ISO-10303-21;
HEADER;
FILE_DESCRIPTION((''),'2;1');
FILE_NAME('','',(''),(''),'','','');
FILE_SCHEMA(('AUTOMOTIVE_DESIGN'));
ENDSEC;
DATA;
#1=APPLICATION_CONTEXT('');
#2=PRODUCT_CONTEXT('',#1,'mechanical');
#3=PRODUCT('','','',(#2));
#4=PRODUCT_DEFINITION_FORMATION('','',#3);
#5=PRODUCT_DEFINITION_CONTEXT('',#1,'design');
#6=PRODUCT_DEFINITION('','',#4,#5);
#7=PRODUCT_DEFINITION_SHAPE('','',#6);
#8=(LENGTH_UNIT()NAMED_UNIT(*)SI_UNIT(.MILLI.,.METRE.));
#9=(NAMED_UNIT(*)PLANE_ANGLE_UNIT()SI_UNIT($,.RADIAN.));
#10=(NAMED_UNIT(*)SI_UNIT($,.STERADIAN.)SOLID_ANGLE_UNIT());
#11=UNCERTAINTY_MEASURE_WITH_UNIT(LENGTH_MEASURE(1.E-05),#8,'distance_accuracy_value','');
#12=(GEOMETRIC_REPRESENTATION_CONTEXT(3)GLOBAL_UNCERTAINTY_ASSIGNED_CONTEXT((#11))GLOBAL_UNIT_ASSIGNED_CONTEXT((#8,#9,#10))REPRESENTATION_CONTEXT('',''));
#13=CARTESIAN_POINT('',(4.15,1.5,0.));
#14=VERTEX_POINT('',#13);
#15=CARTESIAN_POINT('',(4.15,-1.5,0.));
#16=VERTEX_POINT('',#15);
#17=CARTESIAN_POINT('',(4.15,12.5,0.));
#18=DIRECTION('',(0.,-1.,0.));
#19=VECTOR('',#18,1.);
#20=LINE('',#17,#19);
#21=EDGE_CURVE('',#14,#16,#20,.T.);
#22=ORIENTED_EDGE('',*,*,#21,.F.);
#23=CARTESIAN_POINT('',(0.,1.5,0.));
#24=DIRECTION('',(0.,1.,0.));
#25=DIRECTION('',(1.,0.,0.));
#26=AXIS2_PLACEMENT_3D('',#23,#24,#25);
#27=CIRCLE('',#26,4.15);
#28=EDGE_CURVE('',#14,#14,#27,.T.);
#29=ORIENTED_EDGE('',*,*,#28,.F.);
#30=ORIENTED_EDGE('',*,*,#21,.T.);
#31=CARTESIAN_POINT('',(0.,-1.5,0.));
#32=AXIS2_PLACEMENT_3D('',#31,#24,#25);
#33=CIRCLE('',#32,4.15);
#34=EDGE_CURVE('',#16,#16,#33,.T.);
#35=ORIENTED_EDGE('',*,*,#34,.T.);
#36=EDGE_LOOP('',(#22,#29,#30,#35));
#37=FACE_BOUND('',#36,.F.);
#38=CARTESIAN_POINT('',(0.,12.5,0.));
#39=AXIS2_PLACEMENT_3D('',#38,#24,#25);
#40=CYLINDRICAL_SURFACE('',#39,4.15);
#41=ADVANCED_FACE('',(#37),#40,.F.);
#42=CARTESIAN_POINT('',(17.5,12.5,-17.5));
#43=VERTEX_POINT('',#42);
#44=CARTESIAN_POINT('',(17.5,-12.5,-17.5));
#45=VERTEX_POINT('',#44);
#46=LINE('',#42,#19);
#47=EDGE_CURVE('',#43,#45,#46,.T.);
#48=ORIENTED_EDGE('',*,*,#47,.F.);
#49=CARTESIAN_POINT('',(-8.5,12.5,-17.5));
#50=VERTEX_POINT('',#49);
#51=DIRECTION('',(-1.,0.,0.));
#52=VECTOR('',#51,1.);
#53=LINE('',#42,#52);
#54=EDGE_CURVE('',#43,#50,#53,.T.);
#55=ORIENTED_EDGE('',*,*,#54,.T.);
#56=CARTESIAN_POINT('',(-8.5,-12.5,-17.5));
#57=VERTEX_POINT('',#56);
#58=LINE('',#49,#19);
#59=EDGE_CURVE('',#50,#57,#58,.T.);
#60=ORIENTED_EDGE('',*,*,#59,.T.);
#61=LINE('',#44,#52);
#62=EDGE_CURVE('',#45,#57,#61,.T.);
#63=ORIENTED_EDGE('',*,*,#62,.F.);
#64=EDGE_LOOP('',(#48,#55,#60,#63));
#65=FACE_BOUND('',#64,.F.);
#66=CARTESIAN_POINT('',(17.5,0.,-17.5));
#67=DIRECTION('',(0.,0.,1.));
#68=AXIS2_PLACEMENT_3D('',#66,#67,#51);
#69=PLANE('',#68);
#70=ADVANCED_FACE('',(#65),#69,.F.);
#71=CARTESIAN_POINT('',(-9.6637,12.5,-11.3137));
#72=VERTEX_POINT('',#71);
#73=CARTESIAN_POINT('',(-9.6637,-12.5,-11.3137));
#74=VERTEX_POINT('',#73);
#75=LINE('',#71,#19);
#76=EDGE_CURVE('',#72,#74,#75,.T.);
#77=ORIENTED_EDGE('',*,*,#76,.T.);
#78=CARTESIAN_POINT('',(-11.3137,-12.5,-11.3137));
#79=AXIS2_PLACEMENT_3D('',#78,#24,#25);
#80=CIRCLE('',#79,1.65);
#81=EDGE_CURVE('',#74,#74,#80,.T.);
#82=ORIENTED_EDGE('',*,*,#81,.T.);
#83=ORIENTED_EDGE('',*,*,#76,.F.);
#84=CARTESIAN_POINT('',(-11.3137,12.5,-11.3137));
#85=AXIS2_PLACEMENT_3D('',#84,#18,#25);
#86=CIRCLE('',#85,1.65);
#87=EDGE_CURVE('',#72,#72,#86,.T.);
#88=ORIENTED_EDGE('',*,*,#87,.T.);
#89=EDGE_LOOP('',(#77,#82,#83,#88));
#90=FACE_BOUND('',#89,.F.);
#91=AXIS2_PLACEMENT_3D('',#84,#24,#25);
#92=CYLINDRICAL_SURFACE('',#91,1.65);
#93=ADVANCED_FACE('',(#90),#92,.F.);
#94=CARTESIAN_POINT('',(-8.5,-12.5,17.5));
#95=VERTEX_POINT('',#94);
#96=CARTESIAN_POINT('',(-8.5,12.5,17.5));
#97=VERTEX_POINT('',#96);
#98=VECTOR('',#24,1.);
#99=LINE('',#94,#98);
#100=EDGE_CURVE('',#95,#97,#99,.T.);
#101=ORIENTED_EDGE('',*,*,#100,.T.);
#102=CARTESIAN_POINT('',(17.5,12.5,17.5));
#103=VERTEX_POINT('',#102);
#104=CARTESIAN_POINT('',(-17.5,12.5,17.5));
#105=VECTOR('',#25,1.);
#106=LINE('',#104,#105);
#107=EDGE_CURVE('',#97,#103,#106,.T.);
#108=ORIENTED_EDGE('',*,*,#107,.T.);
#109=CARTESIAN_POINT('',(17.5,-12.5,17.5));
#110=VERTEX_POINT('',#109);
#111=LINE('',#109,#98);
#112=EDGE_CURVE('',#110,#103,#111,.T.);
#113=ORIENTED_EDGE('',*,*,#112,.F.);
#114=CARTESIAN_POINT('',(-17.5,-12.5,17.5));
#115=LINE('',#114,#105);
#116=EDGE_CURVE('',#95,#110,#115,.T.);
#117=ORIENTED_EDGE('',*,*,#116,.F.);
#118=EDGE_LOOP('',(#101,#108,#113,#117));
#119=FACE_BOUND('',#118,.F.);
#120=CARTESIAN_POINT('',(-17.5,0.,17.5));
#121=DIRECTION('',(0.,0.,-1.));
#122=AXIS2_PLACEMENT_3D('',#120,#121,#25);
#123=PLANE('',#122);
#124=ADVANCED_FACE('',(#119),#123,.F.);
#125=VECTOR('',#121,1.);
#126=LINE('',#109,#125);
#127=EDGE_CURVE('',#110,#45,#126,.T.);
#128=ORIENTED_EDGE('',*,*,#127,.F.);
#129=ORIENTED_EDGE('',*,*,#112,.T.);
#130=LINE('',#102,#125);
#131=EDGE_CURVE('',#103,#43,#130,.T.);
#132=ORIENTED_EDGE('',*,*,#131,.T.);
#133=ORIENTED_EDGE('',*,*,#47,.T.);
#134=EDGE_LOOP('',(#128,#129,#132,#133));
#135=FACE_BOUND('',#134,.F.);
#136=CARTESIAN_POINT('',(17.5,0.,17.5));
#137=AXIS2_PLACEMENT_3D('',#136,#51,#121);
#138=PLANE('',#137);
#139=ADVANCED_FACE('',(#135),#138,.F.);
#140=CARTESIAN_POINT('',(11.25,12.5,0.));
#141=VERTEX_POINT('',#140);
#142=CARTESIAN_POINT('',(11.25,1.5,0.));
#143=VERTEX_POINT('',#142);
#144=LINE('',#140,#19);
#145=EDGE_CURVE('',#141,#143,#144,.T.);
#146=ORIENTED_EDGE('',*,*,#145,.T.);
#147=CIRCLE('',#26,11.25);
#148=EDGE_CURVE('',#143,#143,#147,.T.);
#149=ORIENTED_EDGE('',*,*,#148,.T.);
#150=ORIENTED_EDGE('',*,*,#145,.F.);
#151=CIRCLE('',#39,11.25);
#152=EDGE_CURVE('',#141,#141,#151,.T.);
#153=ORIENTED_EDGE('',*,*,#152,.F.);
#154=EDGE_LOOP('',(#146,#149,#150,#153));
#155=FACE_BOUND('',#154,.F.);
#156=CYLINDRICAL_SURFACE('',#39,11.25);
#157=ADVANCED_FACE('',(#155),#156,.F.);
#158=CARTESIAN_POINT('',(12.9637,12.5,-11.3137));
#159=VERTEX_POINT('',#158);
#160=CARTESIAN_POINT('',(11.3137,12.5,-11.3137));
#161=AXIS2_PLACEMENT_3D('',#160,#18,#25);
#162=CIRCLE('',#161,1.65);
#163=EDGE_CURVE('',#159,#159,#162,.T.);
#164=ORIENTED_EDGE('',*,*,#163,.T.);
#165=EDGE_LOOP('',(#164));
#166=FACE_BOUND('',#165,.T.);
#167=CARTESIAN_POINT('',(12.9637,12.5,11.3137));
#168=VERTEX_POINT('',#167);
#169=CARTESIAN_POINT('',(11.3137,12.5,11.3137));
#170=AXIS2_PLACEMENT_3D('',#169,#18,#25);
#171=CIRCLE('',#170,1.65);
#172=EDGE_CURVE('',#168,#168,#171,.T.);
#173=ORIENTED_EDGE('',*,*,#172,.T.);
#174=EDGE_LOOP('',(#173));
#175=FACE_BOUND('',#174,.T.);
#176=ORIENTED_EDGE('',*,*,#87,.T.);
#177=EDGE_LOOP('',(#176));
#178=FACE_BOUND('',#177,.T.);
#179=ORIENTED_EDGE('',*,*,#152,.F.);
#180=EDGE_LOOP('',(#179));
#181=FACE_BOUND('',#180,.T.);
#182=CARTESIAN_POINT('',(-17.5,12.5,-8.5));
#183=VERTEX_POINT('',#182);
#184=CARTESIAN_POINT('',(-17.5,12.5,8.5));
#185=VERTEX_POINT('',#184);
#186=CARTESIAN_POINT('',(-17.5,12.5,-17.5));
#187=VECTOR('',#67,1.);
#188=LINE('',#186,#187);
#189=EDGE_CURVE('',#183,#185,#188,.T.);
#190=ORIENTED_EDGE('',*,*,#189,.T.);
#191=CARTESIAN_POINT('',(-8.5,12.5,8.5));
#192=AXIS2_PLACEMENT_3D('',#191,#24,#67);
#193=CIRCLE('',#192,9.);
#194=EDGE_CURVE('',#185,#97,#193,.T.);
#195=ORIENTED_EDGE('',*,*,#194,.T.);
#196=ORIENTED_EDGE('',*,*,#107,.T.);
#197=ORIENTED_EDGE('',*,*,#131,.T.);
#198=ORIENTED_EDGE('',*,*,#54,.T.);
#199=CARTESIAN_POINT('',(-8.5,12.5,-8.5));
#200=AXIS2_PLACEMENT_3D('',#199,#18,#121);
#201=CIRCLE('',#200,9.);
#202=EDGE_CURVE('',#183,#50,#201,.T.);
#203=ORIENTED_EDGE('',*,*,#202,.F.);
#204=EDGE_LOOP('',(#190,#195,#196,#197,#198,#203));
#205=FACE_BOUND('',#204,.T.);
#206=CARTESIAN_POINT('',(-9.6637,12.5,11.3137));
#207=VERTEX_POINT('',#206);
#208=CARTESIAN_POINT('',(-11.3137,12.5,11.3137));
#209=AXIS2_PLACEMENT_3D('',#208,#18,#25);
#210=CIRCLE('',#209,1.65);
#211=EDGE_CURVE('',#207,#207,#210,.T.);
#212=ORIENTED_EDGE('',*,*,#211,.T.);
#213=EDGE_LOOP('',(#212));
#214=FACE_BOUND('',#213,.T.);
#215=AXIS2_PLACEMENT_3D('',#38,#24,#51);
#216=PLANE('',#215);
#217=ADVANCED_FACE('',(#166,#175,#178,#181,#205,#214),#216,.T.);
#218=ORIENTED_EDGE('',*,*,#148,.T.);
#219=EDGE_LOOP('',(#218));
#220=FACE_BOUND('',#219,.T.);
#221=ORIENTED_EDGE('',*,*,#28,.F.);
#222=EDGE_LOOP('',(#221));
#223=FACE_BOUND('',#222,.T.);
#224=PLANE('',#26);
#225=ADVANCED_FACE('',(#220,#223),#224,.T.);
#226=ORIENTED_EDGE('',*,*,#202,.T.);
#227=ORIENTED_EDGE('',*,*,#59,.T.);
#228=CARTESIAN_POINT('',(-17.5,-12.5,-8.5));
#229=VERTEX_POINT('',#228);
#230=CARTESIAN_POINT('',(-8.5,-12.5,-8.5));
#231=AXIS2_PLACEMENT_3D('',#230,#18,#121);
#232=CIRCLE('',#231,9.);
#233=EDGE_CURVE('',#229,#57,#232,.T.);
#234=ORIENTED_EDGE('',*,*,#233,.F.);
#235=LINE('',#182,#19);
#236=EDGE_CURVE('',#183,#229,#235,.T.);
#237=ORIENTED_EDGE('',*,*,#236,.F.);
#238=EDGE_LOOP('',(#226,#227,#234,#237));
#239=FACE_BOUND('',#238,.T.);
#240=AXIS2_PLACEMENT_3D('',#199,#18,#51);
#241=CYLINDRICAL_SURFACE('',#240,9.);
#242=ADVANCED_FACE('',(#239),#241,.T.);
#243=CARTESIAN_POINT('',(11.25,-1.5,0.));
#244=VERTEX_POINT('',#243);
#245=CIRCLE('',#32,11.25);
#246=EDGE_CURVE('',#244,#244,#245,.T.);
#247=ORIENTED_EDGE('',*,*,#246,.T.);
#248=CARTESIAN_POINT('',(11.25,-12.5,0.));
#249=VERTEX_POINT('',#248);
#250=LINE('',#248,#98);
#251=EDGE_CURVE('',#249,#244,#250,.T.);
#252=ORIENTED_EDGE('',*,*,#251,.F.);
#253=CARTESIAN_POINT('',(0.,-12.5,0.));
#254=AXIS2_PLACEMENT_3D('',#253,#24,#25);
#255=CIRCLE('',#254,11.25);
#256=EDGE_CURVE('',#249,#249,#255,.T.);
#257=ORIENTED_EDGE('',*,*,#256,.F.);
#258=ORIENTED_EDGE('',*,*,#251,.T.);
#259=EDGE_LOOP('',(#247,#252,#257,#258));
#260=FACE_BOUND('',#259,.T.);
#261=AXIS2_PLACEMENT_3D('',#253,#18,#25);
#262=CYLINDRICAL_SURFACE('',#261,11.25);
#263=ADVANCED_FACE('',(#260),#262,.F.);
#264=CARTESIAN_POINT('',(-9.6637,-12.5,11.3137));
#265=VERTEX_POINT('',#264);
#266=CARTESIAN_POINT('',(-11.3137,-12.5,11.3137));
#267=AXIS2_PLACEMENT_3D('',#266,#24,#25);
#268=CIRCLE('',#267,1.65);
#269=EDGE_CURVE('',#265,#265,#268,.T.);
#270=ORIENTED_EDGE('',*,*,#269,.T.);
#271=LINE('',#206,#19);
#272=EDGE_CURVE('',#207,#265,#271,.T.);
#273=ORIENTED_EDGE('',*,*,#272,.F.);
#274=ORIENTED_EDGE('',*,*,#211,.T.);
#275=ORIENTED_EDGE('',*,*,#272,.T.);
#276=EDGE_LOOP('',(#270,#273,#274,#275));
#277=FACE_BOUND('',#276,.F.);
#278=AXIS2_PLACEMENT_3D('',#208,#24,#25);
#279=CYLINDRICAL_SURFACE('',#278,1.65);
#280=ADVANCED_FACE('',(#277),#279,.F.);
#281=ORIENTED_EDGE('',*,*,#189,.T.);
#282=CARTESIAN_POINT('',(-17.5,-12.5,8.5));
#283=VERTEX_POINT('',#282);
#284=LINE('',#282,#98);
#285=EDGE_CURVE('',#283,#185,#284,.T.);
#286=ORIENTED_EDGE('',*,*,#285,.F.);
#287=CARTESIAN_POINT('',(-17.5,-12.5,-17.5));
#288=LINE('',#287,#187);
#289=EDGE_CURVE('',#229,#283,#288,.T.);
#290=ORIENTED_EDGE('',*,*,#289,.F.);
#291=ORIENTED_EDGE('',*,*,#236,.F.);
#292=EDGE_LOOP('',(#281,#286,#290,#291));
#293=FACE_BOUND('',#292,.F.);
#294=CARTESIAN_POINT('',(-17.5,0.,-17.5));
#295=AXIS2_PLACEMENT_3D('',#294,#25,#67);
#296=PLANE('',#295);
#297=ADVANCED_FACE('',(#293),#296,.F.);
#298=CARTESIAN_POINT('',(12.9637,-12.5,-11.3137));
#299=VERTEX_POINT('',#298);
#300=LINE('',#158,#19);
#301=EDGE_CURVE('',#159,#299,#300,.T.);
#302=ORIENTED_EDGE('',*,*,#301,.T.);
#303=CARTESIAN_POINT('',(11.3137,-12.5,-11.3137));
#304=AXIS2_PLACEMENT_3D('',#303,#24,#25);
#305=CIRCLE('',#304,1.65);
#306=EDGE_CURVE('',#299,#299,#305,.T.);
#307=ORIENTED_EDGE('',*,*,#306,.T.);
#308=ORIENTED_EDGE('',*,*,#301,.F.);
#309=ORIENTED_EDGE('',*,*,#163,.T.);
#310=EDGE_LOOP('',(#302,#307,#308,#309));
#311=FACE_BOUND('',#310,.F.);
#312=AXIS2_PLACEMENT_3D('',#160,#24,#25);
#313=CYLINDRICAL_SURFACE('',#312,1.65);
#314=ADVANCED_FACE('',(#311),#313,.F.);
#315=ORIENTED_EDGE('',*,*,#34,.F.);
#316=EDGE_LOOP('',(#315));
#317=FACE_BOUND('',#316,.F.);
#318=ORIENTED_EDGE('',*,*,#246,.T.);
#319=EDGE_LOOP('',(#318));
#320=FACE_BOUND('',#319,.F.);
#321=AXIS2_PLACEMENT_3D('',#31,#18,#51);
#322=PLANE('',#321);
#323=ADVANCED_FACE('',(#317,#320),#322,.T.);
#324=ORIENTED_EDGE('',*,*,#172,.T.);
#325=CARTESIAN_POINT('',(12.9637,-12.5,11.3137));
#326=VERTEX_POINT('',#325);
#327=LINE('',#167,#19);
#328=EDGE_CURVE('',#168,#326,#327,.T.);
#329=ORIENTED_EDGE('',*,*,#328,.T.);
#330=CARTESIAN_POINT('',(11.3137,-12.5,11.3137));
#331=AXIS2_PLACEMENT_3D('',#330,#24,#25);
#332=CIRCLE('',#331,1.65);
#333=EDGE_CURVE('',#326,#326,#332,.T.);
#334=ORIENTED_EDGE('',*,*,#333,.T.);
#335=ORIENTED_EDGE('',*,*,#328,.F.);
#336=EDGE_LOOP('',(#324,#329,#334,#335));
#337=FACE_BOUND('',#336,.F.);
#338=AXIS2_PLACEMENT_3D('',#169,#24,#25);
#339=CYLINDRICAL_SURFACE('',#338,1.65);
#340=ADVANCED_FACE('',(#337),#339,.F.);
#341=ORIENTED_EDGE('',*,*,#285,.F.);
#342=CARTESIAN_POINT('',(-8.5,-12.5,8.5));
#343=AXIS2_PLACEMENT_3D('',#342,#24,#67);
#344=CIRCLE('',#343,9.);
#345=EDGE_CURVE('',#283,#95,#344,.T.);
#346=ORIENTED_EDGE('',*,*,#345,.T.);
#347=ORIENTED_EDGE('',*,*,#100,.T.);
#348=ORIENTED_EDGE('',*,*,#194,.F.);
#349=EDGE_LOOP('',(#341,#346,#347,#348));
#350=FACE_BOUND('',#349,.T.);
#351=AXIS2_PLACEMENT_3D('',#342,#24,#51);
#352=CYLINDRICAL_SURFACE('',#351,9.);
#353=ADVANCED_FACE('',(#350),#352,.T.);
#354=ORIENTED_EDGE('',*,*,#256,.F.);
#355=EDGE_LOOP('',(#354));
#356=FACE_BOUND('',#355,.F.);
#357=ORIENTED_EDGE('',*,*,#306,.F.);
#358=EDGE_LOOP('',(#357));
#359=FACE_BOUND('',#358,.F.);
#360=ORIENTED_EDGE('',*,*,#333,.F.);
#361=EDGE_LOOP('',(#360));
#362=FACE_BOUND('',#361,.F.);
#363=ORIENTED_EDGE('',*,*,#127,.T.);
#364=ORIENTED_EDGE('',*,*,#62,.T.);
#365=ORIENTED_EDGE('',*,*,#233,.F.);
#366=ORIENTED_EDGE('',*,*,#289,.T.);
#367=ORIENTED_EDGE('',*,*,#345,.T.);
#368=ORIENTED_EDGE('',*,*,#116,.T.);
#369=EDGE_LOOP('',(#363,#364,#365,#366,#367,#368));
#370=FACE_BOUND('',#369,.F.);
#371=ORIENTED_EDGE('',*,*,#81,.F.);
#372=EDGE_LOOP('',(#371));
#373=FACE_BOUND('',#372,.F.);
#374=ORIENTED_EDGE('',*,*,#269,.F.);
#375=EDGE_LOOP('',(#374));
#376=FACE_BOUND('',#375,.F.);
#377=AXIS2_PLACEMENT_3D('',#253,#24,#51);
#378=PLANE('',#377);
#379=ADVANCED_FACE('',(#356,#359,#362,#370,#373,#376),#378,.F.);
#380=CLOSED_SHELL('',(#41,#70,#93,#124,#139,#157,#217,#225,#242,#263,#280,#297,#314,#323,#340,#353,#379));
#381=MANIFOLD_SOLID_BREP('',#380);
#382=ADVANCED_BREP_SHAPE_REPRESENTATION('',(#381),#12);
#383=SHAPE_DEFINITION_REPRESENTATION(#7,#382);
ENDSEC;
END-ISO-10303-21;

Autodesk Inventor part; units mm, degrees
ref_plane "YZ Plane" through (0, 0, 0) normal (1, 0, 0) x (0, 1, 0)
ref_plane "XZ Plane" through (0, 0, 0) normal (0, 1, 0) x (-1, 0, 0)
ref_plane "XY Plane" through (0, 0, 0) normal (0, 0, 1) x (1, 0, 0)
sketch "Sketch1" plane through (0, 0, 0) normal (0, 1, 0) x (-1, 0, 0)
  line L0 (17.5, 17.5) -> (-17.5, 17.5)
  line L1 (-17.5, 17.5) -> (-17.5, -17.5)
  line L2 (-17.5, -17.5) -> (17.5, -17.5)
  line L3 (17.5, -17.5) -> (17.5, 17.5)
  line L4 (17.5, 17.5) -> (-17.5, -17.5) construction
  line L5 (-17.5, 17.5) -> (17.5, -17.5) construction
  point P0 (0, 0)
  dimension "d0" = 35
  dimension "d1" = 35
extrude "Extrusion1" add sketch "Sketch1" along normal mid plane 25
sketch "Sketch2" plane through (0, 12.5, 0) normal (0, 1, 0) x (1, 0, 0)
  circle A0 centre (0, 0) radius 4.15
  dimension "d4" = 8.3
extrude "Extrusion2" cut sketch "Sketch2" against normal blind 25
sketch "Sketch3" plane through (0, 12.5, 0) normal (0, 1, 0) x (1, 0, 0)
  circle A0 centre (0, 0) radius 11.25
  dimension "d7" = 22.5
extrude "Extrusion3" cut sketch "Sketch3" against normal blind 11
sketch "Sketch4" plane through (0, 12.5, 0) normal (0, 1, 0) x (1, 0, 0)
  circle A0 centre (0, 0) radius 4.15 projected
  circle A1 centre (0, 0) radius 16
  line L0 (17.5, 17.5) -> (-17.5, 17.5) projected
  line L1 (-17.5, -17.5) -> (17.5, -17.5) projected
  line L2 (17.5, 17.5) -> (-17.5, -17.5)
  line L3 (-17.5, 17.5) -> (17.5, -17.5)
  circle A2 centre (11.3137, 11.3137) radius 1.65
  circle A3 centre (-11.3137, 11.3137) radius 1.65
  circle A4 centre (-11.3137, -11.3137) radius 1.65
  circle A5 centre (11.3137, -11.3137) radius 1.65
  dimension "d10" = 32
  dimension "d11" = 3.3
  dimension "d14" = 360
extrude "Extrusion4" cut sketch "Sketch4" against normal blind 25 contours A2 A1 L2 | L2 A1 A2 | A5 A1 L3 | L3 A1 A5 | A3 A1 L3 | L3 A1 A3 | L2 A2 A1 | A1 A2 L2 | A4 A1 L2 | L2 A1 A4 | L3 A5 A1 | A1 A5 L3 | L3 A3 A1 | A1 A3 L3 | L2 A4 A1 | A1 A4 L2
fillet "Fillet1" radius 9 2 edges at (-17.5, 0, -17.5) (-17.5, 0, 17.5)
mirror "Mirror1" about plane through (0, 0, 0) normal (0, 1, 0) of "Extrusion3"
properties part number "PART_!"
